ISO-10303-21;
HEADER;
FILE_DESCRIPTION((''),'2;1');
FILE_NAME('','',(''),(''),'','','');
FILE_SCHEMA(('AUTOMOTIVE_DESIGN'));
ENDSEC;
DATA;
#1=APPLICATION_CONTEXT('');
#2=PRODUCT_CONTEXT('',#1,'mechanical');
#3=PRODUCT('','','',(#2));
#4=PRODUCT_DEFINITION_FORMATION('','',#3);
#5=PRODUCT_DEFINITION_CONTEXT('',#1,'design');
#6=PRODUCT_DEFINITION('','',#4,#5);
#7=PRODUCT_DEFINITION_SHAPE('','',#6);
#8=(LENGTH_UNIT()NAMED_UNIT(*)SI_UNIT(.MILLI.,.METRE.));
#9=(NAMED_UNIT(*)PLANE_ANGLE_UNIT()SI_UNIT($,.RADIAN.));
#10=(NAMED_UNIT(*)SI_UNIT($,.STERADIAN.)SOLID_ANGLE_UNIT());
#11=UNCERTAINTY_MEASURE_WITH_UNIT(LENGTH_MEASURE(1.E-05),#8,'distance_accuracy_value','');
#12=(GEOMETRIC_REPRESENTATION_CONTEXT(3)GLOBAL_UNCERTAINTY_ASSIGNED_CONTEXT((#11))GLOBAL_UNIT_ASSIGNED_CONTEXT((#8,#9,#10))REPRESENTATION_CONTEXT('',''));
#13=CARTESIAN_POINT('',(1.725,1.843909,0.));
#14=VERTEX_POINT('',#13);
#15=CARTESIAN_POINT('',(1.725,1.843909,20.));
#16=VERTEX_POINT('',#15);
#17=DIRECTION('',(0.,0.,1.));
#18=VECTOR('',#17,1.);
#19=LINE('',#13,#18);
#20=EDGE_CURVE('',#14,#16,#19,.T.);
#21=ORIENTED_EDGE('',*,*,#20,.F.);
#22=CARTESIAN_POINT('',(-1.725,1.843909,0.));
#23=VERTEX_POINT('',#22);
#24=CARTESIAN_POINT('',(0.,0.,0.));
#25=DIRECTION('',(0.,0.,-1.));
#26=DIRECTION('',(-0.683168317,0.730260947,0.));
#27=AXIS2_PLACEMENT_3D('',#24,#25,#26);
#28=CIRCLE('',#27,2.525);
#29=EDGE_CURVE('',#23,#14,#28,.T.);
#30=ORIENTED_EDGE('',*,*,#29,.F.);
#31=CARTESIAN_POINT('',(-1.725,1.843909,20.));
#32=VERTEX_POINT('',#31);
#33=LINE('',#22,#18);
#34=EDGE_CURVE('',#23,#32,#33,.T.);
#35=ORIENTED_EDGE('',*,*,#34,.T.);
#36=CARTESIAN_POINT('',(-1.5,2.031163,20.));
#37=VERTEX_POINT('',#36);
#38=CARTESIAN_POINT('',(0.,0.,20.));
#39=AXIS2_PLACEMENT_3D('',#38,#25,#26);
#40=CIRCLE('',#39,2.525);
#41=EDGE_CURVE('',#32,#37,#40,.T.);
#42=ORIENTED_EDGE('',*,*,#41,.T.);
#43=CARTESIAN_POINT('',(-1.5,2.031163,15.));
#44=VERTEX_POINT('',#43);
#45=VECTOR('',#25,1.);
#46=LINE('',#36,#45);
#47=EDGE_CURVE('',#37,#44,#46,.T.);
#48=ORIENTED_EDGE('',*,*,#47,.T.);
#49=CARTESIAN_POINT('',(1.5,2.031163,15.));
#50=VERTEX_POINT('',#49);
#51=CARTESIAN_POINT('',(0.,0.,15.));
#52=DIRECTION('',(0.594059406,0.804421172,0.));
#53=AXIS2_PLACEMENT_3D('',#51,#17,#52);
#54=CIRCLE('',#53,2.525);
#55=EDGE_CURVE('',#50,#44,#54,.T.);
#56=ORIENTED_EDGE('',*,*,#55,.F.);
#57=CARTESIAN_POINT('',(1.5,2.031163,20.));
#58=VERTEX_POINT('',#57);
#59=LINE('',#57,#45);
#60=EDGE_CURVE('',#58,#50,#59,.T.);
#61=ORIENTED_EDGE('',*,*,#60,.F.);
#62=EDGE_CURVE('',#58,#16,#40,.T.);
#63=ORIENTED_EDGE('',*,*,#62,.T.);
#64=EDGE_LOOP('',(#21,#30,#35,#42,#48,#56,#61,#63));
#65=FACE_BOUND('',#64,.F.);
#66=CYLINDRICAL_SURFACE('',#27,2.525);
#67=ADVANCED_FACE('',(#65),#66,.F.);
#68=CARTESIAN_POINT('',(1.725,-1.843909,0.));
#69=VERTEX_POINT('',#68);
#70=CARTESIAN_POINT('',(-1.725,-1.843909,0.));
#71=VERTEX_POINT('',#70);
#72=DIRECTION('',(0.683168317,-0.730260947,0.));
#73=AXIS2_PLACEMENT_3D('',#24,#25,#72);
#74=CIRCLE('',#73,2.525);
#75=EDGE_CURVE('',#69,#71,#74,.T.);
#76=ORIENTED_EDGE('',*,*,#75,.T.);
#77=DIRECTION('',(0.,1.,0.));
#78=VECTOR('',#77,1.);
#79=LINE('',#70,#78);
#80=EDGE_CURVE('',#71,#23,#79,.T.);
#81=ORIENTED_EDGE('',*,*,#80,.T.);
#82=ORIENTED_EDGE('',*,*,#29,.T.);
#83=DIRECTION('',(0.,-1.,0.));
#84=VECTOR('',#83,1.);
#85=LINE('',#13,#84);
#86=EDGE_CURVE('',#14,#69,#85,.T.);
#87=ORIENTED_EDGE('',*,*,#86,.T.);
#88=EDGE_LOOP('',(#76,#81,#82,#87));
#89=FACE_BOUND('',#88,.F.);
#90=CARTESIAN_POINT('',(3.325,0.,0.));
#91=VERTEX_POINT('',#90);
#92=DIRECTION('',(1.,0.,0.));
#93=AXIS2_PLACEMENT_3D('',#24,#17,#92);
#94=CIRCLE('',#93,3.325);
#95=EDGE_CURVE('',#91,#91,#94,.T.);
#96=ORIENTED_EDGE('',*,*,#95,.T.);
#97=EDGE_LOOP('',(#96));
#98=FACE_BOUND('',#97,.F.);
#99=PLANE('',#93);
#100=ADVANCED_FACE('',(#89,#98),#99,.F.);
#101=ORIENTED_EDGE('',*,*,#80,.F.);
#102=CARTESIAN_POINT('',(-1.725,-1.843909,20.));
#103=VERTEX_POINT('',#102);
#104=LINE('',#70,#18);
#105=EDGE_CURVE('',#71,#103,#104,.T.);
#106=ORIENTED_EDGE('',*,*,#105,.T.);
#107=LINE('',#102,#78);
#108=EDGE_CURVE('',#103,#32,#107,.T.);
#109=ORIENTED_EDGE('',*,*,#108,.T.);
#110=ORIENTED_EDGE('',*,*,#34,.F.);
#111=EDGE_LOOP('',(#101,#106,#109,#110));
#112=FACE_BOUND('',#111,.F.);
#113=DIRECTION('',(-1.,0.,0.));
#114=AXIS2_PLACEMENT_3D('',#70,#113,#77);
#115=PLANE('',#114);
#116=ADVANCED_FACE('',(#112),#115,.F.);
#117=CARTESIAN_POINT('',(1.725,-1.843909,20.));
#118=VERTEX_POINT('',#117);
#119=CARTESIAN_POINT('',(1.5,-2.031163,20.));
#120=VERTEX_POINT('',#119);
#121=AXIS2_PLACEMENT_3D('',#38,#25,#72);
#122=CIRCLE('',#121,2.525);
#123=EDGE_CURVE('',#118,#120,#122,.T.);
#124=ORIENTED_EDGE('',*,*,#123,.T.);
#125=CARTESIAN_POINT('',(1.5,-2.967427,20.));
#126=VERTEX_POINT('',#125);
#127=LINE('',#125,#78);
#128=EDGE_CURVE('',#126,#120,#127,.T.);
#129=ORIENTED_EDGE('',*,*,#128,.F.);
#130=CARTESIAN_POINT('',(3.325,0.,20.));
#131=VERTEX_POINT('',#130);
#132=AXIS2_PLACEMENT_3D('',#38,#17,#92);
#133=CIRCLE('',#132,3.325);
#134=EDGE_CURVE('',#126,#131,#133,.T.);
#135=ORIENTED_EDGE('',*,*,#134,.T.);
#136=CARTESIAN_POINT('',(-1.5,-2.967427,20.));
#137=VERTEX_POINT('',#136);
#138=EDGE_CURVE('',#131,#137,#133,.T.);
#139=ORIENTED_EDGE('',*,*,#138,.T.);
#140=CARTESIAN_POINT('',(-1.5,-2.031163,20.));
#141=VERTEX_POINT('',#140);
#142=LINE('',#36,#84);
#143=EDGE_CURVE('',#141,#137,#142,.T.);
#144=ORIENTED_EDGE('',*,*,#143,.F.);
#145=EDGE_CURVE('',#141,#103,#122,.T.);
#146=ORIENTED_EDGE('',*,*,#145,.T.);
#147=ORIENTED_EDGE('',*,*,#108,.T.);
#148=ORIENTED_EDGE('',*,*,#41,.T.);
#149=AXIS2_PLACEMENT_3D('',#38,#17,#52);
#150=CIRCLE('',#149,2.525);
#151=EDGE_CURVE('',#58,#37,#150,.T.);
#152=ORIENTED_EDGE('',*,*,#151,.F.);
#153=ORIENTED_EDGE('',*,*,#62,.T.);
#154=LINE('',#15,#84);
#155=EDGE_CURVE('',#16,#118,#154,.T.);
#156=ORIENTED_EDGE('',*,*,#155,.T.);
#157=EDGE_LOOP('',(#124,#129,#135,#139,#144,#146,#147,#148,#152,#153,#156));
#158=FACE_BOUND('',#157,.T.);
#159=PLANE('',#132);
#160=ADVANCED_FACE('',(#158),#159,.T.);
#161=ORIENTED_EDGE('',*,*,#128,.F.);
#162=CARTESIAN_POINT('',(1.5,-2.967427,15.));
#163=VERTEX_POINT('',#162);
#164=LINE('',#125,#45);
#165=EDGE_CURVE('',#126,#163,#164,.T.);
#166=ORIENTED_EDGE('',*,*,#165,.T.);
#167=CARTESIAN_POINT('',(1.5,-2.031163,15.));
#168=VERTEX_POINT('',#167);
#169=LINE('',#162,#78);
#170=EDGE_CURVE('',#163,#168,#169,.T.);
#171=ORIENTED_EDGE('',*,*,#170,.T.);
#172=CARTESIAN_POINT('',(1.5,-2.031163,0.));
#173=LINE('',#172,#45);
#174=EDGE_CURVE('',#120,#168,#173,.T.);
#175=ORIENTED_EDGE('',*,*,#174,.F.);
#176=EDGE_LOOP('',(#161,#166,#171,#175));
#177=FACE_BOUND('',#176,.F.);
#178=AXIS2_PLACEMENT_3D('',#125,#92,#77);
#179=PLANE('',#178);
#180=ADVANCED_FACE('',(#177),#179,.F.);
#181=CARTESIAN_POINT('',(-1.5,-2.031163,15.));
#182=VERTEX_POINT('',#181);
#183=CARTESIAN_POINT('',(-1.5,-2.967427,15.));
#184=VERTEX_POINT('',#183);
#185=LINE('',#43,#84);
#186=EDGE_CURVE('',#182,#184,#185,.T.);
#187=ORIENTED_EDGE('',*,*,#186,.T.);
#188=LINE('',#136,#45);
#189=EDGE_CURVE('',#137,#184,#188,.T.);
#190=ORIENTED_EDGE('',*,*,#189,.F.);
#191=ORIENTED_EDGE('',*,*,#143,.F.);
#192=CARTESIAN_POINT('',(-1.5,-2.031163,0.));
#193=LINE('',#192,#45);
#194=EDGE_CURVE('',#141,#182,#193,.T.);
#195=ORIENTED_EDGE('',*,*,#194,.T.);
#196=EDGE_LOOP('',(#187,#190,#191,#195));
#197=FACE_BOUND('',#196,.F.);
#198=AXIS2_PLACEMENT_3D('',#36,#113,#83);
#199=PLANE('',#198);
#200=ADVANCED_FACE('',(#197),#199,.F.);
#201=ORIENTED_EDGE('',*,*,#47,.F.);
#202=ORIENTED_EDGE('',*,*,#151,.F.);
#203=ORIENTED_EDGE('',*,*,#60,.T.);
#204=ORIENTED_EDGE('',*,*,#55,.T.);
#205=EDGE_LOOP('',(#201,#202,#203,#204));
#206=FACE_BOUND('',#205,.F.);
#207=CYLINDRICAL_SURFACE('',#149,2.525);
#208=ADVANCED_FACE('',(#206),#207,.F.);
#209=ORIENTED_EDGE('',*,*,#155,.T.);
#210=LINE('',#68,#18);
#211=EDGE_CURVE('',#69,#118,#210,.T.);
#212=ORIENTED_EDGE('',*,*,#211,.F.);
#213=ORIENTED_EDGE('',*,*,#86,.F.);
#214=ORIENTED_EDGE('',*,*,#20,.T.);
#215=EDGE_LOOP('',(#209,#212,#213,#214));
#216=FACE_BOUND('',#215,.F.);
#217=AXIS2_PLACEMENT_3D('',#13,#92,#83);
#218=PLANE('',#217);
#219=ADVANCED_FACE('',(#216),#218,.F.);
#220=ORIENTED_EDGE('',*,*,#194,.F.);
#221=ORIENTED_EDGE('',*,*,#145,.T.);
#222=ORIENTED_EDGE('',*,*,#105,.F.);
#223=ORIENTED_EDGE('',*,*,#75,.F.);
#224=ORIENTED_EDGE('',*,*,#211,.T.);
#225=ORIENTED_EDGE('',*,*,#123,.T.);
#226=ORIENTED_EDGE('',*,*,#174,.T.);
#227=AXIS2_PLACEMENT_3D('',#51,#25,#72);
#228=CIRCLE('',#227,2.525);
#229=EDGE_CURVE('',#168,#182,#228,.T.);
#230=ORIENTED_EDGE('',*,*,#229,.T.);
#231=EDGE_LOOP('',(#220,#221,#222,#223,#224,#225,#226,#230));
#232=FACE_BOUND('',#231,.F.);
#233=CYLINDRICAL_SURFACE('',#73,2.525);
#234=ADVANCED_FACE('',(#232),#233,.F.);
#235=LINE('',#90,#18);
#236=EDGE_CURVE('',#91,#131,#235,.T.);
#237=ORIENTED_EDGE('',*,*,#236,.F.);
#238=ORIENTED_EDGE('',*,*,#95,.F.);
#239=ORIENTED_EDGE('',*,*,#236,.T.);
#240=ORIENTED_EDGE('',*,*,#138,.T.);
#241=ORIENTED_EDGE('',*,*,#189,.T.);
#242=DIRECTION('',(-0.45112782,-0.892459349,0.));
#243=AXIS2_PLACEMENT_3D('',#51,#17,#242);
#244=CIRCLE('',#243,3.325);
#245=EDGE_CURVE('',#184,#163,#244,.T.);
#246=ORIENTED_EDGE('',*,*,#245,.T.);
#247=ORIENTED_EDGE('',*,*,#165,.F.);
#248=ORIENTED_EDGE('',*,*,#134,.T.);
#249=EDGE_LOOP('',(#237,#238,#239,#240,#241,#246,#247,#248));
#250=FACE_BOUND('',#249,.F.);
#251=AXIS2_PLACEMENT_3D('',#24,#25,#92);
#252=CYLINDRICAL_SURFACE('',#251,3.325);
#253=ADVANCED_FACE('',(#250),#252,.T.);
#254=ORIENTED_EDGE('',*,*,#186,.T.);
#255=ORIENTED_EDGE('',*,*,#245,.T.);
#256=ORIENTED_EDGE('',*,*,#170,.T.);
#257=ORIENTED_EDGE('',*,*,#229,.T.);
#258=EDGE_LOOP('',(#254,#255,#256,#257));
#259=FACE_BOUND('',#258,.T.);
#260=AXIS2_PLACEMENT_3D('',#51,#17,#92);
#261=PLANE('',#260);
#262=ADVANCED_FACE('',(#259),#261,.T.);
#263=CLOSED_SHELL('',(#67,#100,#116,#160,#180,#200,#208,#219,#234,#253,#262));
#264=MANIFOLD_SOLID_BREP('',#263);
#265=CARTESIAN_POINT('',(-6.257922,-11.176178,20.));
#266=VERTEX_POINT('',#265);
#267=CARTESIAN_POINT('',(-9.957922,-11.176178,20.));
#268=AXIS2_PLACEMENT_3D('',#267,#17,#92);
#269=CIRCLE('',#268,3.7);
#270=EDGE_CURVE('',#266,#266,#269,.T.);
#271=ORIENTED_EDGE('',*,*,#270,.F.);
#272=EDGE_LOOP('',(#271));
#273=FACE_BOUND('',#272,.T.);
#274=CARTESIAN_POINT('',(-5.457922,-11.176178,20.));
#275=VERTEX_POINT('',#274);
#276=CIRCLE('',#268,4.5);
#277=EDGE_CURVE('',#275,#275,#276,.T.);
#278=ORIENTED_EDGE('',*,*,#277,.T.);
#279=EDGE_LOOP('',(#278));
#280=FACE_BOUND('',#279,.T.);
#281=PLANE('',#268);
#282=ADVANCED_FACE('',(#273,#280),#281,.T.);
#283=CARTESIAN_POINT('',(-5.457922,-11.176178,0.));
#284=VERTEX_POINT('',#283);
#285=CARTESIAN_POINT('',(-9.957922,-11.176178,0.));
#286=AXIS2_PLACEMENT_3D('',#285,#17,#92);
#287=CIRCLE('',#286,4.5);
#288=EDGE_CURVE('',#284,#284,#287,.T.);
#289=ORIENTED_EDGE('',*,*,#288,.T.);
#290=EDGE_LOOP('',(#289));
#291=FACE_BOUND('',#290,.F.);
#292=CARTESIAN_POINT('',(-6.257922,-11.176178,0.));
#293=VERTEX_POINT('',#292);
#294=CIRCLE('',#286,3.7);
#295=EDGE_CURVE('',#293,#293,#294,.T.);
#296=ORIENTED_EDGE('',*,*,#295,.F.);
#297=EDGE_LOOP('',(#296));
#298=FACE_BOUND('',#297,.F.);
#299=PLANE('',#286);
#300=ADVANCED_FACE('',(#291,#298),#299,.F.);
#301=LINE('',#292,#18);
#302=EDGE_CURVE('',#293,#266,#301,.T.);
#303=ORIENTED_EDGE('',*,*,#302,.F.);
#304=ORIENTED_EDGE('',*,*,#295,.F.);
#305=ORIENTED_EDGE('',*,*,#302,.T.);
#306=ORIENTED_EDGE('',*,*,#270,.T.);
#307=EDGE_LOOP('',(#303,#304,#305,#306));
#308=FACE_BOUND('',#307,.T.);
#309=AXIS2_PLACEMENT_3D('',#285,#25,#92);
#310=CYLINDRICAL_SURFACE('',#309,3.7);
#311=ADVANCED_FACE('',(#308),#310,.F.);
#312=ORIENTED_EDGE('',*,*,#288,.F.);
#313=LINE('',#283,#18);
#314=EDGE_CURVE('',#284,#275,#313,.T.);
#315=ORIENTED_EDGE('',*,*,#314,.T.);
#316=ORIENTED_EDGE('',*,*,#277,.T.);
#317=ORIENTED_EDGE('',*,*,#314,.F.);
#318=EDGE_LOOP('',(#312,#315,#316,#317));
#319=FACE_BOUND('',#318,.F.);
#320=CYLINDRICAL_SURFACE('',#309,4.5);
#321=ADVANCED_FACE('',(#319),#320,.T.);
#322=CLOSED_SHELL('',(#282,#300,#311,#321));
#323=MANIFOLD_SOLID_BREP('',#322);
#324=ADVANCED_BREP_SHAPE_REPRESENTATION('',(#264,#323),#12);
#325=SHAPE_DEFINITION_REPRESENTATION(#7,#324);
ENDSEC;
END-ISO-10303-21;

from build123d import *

# Parameters (mm, degrees)
F0_R     = 3.325
F1_DEPTH = 20
F0_R_2   = 4.5
F0_R_3   = 3.7
F2_DEPTH = 20
F4_DEPTH = 5


with BuildPart() as f1:
    # F0 (on Top) → F1 (new body)
    with BuildSketch(Plane.XY):
        Circle(F0_R)
        with BuildLine():
            ThreePointArc((1.725, 1.8439088915), (2.316381877, 1.0049875621), (2.525, 0))
            ThreePointArc((2.525, 0), (2.316381877, -1.0049875621), (1.725, -1.8439088915))
            ThreePointArc((1.725, -1.8439088915), (0, -2.525), (-1.725, -1.8439088915))
            ThreePointArc((-1.725, -1.8439088915), (-2.525, 0), (-1.725, 1.8439088915))
            ThreePointArc((-1.725, 1.8439088915), (0, 2.525), (1.725, 1.8439088915))
        make_face(mode=Mode.SUBTRACT)
        with BuildLine():
            Line((-1.725, 0), (-1.725, 1.8439088915))
            ThreePointArc((-1.725, 1.8439088915), (-2.525, 0), (-1.725, -1.8439088915))
            Line((-1.725, -1.8439088915), (-1.725, 0))
        make_face()
        with BuildLine():
            ThreePointArc((1.725, -1.8439088915), (2.316381877, -1.0049875621), (2.525, 0))
            ThreePointArc((2.525, 0), (2.316381877, 1.0049875621), (1.725, 1.8439088915))
            Line((1.725, 1.8439088915), (1.725, 0))
            Line((1.725, 0), (1.725, -1.8439088915))
        make_face()
    extrude(amount=F1_DEPTH)

    # F3 (on face) → F4 (cut)
    with BuildSketch(Plane.XY.offset(20)):
        with BuildLine():
            Line((-1.5, 2.0311634597), (-1.5, -2.0311634597))
            ThreePointArc((-1.5, -2.0311634597), (0, -2.525), (1.5, -2.0311634597))
            Line((1.5, -2.0311634597), (1.5, 2.0311634597))
            ThreePointArc((1.5, 2.0311634597), (0, 2.525), (-1.5, 2.0311634597))
        make_face()
        with BuildLine():
            Line((-1.5, -2.0311634597), (-1.5, -2.9674273369))
            ThreePointArc((-1.5, -2.9674273369), (0, -3.325), (1.5, -2.9674273369))
            Line((1.5, -2.9674273369), (1.5, -2.0311634597))
            ThreePointArc((1.5, -2.0311634597), (0, -2.525), (-1.5, -2.0311634597))
        make_face()
    extrude(amount=-F4_DEPTH, mode=Mode.SUBTRACT)


with BuildPart() as f2:
    # F0 (on Top) → F2 (new body)
    with BuildSketch(Plane.XY):
        with Locations((-9.9579216912, -11.1761782318)):
            Circle(F0_R_2)
        with Locations((-9.9579216912, -11.1761782318)):
            Circle(F0_R_3, mode=Mode.SUBTRACT)
    extrude(amount=F2_DEPTH)


solid = Compound([f1.part, f2.part])
